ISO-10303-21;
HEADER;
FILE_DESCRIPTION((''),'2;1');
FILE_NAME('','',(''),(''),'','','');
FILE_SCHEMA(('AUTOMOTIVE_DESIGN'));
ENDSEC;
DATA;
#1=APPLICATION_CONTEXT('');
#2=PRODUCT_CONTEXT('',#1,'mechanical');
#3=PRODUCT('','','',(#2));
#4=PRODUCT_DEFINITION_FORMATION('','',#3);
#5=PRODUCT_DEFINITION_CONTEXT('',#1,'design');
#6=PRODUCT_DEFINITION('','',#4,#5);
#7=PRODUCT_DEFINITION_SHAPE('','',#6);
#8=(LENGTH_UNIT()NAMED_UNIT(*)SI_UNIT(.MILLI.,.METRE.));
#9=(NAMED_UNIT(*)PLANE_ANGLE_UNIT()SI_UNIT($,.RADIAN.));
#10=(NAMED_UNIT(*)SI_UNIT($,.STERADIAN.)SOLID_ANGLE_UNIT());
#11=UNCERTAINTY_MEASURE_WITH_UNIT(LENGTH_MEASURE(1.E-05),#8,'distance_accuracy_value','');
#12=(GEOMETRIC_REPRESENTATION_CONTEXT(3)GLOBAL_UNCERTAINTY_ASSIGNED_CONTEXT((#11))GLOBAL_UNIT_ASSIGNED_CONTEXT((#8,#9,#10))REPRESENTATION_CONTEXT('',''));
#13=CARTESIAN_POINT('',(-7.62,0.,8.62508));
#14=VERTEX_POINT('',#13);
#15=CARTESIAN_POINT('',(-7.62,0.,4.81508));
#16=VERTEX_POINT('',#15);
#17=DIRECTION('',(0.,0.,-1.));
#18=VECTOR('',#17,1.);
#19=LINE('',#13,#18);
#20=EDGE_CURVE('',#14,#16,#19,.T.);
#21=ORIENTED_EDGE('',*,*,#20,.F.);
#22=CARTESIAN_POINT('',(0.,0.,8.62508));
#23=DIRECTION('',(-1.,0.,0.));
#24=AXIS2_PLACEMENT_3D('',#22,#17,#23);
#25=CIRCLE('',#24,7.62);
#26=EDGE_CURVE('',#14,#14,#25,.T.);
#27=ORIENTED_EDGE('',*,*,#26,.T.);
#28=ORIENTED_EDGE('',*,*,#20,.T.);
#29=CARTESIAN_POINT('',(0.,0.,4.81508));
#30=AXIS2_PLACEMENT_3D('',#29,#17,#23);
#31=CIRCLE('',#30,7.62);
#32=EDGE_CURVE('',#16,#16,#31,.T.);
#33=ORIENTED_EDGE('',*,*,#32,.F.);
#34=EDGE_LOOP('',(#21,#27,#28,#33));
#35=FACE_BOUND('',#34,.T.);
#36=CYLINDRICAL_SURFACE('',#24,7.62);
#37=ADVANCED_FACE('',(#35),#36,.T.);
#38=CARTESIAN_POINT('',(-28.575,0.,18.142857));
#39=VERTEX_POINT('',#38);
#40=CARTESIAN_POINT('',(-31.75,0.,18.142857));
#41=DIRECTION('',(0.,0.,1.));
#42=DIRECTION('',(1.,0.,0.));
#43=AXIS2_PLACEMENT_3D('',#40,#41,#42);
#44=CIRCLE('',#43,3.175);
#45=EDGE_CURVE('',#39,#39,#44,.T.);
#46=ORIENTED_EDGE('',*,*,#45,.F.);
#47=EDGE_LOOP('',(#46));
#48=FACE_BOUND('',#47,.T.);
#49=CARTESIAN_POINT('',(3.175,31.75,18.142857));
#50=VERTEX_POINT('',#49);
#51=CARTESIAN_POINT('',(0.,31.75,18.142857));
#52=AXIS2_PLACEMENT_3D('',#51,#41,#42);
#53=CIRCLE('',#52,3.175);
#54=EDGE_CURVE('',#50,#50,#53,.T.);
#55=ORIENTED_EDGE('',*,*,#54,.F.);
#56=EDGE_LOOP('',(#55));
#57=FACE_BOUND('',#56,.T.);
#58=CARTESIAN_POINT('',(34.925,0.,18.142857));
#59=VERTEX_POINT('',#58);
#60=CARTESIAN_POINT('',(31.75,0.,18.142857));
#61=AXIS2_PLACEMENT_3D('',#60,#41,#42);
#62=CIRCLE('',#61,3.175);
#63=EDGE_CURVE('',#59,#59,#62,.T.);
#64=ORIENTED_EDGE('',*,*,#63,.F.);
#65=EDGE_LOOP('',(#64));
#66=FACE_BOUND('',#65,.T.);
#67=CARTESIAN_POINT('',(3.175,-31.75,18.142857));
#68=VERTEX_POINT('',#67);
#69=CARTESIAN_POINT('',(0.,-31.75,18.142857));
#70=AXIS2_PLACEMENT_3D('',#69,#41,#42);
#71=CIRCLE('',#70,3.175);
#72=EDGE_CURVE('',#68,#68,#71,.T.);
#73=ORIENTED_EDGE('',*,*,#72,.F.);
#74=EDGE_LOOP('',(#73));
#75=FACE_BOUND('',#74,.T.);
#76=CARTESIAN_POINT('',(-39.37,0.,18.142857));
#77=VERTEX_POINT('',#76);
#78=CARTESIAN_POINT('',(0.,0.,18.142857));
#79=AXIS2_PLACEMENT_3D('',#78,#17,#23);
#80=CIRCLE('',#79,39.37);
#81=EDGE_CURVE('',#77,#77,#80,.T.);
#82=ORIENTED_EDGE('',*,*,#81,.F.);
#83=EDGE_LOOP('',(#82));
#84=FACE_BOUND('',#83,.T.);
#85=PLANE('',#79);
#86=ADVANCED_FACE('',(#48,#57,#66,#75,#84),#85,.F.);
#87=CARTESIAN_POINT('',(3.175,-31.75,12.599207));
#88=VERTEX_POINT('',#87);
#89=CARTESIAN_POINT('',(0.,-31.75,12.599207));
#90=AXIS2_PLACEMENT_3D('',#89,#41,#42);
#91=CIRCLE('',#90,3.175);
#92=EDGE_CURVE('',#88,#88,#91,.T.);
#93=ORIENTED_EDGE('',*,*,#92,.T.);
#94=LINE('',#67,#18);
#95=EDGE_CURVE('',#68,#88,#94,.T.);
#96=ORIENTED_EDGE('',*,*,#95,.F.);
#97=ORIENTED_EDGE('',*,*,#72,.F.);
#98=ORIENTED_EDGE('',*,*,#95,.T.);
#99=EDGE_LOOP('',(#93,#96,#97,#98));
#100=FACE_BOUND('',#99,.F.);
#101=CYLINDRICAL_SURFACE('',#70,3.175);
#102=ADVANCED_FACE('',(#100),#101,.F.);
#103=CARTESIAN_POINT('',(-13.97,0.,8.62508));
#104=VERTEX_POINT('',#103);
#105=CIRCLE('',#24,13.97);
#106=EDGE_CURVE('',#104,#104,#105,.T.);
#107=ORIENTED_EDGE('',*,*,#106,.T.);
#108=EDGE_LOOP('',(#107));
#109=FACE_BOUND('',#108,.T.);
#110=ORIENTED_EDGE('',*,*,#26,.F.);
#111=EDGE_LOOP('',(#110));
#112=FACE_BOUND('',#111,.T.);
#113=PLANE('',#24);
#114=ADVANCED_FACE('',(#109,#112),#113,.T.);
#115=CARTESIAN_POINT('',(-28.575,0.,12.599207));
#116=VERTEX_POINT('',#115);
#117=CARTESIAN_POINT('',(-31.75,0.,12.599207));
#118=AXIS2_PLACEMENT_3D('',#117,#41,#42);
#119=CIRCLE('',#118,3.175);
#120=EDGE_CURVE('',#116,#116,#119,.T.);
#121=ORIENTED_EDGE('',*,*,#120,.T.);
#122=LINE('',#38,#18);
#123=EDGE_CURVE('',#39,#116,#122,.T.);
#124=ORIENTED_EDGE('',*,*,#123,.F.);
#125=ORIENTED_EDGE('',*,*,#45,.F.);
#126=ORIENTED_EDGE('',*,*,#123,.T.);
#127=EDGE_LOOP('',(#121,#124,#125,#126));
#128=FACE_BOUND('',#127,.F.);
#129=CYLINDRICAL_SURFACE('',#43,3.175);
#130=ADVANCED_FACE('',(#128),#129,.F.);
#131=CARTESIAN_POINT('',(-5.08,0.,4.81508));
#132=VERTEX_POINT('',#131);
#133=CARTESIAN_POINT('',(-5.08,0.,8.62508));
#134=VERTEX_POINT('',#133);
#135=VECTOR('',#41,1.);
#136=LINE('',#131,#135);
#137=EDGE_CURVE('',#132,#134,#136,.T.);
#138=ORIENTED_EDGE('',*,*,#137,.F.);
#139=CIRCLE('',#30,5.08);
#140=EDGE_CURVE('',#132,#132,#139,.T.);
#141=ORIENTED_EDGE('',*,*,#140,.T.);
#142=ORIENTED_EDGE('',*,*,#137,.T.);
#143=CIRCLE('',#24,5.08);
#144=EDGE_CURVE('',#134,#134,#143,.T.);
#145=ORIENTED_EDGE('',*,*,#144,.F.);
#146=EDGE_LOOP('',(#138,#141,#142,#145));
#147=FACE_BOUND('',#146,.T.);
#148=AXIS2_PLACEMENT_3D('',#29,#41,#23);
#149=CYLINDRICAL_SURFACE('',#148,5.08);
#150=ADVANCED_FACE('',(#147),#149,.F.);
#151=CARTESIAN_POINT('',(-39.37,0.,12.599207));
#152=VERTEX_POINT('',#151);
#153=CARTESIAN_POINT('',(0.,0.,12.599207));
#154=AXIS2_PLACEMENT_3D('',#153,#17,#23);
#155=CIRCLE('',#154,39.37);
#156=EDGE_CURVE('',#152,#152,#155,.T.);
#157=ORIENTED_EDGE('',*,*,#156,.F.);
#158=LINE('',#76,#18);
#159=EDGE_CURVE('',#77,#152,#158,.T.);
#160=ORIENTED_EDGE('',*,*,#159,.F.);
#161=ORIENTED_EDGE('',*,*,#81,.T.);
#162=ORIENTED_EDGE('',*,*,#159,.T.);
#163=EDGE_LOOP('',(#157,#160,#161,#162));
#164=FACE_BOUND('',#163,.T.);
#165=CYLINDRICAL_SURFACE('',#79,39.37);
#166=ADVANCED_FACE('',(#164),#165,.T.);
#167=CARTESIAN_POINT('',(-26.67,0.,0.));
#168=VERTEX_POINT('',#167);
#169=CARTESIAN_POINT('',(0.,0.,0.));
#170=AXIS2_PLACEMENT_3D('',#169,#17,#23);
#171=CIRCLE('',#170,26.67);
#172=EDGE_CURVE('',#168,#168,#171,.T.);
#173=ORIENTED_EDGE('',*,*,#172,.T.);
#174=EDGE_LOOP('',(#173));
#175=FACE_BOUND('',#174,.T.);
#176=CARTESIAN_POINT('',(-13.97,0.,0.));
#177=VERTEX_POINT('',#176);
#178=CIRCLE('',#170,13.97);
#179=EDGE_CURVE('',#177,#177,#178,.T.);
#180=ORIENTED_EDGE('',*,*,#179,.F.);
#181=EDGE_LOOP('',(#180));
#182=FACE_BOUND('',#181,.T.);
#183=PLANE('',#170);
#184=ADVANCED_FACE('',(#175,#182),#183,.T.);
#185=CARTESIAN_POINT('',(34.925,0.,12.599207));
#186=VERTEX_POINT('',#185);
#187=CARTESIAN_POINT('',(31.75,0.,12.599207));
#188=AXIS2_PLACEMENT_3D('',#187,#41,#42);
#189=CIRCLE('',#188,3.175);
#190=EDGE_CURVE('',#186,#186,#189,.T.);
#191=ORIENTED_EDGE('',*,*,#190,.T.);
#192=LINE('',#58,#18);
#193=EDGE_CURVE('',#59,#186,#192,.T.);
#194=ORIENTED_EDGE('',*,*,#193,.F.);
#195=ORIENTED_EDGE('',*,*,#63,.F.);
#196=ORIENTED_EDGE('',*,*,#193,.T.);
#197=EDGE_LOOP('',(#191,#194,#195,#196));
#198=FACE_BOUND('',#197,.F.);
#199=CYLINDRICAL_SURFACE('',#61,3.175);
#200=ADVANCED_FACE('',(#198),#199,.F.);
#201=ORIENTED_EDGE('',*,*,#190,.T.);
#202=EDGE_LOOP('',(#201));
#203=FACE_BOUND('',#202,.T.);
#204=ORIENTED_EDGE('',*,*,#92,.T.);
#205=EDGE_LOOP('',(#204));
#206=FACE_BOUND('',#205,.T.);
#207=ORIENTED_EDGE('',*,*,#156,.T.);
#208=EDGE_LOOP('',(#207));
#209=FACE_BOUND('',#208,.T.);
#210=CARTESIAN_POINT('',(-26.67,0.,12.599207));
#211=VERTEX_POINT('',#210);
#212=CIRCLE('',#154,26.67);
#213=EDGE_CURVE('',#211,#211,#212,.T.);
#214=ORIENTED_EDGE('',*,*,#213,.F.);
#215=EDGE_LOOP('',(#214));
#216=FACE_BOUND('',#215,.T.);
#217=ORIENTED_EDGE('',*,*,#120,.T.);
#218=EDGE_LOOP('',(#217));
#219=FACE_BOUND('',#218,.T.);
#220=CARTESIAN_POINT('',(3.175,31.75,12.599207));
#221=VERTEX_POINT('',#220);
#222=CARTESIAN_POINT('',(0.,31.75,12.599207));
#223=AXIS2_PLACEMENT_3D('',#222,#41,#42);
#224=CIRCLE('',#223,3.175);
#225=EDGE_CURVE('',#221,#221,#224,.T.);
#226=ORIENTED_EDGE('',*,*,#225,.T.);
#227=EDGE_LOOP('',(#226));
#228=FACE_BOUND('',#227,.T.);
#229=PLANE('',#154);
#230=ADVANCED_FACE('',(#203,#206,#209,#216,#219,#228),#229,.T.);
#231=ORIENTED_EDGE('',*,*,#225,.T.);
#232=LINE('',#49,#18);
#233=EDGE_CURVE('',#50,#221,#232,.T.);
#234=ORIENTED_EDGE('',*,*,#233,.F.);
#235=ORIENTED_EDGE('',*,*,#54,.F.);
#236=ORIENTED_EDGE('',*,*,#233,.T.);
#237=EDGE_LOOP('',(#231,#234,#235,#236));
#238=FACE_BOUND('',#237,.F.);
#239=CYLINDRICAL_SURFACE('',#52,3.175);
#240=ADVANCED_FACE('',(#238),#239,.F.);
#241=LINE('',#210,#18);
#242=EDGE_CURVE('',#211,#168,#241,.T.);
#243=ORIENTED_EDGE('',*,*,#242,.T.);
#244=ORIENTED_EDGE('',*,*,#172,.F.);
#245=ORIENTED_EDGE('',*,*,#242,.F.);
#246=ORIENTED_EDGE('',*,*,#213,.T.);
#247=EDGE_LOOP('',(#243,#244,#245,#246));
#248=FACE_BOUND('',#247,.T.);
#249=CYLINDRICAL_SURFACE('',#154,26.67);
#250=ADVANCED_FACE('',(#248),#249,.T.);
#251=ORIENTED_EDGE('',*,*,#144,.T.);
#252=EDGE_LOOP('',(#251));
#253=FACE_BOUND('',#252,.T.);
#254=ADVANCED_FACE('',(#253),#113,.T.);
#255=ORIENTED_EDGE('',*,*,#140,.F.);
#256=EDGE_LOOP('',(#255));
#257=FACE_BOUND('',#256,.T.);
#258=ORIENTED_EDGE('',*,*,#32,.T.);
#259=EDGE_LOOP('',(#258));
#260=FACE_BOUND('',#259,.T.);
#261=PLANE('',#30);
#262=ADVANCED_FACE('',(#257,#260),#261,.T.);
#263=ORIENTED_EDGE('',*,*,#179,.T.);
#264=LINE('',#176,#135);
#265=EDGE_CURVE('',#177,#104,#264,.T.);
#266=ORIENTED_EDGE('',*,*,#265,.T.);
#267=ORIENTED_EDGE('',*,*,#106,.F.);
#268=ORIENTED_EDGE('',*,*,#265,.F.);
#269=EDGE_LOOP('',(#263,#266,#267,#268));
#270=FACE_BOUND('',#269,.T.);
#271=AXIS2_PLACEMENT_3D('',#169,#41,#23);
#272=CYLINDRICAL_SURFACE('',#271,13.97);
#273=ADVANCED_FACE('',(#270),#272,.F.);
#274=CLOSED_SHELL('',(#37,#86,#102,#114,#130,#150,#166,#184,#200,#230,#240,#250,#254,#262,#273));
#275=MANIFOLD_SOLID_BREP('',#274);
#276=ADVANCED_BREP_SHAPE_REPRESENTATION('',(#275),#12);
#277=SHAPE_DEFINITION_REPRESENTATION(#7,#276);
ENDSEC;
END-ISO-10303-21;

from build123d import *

# Parameters (mm, degrees)
F2_R     = 3.175
F3_DEPTH = 5.54365


with BuildPart() as f1:
    # F0 (on Front) → F1 (revolve)
    with BuildSketch(Plane.XZ):
        Polygon((0, 8.62508), (0, 18.142857), (-39.37, 18.142857), (-39.37, 12.599207), (-26.67, 12.599207), (-26.67, 4.938889), (-26.67, 0), (-13.97, 0), (-13.97, 8.62508), (-7.62, 8.62508), (-7.62, 4.81508), (-5.08, 4.81508), (-5.08, 8.62508), align=None)
    revolve(axis=Axis((0, 0, 21.598651), (0, 0, -1)))

    # F2 (on face) → F3 (cut, through all)
    with BuildSketch(Plane.XY.offset(18.142857)):
        with Locations((0, 31.75)):
            Circle(F2_R)
        with Locations((31.75, 0)):
            Circle(F2_R)
        with Locations((0, -31.75)):
            Circle(F2_R)
        with Locations((-31.75, 0)):
            Circle(F2_R)
    extrude(amount=-F3_DEPTH, mode=Mode.SUBTRACT)


solid = f1.part
